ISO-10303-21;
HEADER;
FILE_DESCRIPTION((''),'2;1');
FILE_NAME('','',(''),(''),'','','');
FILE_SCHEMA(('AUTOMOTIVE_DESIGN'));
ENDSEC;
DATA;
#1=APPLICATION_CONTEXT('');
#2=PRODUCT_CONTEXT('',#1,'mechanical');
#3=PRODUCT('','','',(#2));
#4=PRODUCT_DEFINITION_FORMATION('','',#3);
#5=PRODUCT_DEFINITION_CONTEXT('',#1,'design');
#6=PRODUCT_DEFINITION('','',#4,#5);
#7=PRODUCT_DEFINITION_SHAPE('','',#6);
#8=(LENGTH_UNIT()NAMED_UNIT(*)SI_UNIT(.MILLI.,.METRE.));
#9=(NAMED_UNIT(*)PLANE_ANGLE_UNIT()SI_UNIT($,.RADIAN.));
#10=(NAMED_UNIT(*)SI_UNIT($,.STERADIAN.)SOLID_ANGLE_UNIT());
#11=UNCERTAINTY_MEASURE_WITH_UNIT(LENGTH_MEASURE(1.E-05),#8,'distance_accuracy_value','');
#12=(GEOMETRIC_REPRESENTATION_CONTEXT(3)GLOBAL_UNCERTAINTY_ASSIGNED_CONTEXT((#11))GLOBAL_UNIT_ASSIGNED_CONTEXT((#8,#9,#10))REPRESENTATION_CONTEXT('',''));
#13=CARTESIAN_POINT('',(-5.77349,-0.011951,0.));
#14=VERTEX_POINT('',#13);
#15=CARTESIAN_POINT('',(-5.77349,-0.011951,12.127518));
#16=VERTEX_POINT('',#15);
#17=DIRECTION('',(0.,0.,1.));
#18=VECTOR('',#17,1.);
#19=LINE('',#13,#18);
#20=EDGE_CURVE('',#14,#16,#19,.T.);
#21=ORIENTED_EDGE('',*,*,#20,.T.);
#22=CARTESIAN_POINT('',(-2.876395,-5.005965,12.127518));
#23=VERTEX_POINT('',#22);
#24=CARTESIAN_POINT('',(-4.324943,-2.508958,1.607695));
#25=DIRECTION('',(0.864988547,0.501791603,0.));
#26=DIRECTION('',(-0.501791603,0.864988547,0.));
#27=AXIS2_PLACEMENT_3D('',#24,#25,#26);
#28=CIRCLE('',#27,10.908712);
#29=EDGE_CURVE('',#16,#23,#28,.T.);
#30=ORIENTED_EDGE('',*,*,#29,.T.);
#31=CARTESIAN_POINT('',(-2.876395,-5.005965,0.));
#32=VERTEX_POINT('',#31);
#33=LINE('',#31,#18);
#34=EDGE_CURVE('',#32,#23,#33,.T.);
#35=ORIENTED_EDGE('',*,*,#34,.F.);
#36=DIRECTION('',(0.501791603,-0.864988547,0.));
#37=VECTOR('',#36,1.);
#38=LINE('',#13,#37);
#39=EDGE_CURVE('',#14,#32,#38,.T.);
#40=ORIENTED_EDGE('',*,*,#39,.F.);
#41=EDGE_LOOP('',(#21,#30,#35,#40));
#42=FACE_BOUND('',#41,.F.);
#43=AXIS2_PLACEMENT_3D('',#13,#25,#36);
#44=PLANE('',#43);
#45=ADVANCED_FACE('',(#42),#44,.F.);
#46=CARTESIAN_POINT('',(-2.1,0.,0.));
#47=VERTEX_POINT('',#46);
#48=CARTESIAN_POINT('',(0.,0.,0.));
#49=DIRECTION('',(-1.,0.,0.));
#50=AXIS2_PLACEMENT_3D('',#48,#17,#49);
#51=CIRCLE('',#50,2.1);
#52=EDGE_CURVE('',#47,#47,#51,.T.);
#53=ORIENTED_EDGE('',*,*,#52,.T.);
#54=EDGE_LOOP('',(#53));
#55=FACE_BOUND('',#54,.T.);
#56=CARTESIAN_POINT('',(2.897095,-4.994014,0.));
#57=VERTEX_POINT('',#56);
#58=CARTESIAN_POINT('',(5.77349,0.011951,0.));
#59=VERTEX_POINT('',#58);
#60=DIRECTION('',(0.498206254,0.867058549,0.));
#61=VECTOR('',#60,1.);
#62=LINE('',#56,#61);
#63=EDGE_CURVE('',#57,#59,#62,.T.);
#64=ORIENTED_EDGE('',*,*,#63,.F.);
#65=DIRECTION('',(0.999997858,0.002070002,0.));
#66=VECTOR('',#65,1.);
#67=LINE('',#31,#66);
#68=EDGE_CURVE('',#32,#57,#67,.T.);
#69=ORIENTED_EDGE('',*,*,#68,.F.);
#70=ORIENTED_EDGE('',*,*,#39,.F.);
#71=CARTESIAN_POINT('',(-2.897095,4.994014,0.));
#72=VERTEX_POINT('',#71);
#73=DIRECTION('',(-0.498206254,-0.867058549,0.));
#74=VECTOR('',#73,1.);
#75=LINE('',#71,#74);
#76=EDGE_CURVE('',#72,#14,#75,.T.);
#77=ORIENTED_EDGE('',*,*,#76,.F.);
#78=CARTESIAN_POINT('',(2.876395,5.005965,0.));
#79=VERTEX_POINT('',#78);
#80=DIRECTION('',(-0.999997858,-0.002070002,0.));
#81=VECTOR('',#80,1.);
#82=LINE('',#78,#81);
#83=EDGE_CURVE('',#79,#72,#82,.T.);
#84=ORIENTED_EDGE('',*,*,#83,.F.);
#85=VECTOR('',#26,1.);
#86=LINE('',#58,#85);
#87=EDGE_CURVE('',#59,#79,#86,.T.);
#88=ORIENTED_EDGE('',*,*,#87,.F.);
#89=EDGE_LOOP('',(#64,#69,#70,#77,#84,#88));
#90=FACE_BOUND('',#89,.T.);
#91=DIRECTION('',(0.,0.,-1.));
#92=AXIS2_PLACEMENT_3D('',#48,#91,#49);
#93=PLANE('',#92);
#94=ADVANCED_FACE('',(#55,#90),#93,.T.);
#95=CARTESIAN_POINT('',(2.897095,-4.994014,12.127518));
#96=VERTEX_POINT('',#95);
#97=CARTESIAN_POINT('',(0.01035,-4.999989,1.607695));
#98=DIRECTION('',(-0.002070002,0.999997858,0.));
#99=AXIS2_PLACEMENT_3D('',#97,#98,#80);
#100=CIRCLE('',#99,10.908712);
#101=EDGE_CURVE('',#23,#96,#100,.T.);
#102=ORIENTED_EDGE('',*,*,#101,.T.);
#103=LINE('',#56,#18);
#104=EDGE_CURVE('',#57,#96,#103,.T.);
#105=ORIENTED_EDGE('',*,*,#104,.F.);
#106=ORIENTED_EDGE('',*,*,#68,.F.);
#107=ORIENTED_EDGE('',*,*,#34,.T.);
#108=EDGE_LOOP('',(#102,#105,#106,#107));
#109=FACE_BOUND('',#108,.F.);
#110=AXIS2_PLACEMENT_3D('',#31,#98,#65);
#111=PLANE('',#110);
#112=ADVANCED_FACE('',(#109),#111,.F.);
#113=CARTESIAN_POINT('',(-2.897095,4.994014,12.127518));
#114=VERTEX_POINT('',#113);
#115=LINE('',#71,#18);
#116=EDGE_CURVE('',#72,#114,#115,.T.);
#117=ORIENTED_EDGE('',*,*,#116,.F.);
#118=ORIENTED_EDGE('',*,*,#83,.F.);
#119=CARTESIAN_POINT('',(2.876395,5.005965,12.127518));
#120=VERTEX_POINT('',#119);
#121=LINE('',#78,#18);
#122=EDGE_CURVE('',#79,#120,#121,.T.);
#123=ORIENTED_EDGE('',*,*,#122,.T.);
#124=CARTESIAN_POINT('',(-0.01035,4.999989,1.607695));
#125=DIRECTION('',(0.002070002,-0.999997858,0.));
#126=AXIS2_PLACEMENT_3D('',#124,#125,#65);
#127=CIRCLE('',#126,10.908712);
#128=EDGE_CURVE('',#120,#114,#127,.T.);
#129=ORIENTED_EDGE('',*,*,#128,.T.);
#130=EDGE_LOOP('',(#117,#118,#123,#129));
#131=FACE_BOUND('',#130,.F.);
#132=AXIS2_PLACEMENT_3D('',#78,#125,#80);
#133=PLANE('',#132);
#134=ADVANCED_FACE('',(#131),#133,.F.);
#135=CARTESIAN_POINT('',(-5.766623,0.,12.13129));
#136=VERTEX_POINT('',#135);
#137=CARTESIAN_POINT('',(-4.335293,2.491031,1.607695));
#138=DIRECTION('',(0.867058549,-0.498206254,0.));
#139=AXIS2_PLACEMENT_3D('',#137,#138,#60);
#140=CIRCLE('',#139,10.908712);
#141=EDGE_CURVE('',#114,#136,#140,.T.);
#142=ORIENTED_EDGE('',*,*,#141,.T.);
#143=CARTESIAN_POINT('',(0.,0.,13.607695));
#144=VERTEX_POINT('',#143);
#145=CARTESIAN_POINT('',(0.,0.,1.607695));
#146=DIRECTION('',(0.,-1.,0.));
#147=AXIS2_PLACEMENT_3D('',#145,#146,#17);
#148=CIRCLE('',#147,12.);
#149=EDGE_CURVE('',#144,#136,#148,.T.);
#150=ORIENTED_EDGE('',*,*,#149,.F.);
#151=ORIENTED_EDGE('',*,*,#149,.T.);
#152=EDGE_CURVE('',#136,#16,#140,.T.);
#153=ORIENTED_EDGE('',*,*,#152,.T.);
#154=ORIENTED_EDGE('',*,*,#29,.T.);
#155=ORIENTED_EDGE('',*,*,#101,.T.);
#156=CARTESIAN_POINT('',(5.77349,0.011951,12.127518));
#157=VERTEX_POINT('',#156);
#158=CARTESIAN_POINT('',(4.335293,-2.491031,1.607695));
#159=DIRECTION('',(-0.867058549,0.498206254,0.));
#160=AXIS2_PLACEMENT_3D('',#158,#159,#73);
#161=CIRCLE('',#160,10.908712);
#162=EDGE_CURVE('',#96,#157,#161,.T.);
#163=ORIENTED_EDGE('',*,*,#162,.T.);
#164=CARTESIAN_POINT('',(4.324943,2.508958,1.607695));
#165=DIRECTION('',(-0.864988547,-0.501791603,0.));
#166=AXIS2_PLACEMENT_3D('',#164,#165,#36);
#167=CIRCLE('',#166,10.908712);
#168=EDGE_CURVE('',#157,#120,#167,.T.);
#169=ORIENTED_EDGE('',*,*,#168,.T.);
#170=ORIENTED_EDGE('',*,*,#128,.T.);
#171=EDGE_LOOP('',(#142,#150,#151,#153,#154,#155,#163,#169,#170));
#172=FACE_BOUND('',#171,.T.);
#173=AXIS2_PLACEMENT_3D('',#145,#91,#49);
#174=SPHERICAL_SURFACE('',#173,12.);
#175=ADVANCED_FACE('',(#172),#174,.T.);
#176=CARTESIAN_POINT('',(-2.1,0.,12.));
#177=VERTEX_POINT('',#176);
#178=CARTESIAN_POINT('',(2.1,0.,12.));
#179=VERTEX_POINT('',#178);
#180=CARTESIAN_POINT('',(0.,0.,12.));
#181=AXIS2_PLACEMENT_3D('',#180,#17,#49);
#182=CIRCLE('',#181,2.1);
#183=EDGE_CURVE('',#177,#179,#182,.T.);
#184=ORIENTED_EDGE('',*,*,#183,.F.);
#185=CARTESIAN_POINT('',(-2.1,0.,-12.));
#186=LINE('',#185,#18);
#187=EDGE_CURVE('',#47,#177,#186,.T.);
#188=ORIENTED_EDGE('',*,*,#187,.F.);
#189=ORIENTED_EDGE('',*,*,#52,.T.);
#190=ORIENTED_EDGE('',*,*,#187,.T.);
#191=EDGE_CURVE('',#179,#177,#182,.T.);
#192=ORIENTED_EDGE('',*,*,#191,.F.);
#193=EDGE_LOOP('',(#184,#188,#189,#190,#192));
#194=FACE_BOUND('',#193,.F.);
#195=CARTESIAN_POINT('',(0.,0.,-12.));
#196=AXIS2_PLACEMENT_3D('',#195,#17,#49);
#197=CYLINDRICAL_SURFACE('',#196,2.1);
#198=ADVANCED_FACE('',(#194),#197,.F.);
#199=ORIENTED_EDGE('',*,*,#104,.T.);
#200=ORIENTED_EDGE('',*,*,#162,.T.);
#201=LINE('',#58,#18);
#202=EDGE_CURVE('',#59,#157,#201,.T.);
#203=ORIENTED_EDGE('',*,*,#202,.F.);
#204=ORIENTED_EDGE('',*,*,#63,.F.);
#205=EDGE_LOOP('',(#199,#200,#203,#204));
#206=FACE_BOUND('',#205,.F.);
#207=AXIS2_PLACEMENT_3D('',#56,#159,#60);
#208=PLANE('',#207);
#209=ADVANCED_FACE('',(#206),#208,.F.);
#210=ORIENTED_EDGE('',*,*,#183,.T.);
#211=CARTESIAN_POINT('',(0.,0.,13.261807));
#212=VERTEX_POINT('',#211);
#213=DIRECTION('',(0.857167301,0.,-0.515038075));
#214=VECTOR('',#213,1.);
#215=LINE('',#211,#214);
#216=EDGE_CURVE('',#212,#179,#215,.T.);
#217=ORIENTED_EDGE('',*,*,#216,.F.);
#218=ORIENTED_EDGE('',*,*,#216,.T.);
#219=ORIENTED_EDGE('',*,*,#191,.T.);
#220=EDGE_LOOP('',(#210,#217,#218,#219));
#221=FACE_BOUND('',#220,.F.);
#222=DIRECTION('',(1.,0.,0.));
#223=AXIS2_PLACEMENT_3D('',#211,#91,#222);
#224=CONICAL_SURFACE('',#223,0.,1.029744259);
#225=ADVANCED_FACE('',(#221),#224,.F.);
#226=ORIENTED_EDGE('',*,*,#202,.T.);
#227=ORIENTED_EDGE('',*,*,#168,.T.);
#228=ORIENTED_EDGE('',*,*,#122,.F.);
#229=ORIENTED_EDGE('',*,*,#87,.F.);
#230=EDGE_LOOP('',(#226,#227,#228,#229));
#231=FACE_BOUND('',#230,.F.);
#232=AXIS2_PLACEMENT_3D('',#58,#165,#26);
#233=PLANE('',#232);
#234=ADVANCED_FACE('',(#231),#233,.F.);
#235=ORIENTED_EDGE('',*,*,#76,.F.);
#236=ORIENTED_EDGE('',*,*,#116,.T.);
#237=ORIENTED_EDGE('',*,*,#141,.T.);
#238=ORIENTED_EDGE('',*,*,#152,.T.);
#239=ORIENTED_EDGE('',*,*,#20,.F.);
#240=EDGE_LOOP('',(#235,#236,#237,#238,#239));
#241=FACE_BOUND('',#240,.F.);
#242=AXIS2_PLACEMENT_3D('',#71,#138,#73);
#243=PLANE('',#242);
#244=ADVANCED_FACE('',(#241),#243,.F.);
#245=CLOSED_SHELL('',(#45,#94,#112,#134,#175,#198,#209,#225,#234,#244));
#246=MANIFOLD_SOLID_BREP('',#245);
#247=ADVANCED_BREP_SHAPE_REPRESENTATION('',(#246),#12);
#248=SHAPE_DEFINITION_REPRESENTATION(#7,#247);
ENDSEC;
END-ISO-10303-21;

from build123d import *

# Parameters (mm, degrees)
F3_D     = 4.2
F3_DEPTH = 12
F3_TIP   = 1.2618073
F5_DEPTH = 13.6086951546


with BuildPart() as f1:
    # F0 (on Front) → F1 (revolve)
    with BuildSketch(Plane.XZ):
        with BuildLine():
            Line((-6, 12), (-6, 0))
            Line((-6, 0), (0, 0))
            Line((0, 0), (0, 13.6076951546))
            ThreePointArc((0, 13.6076951546), (-3.1058285412, 13.1988050701), (-6, 12))
        make_face()
    revolve(axis=Axis((0, 0, 6.8038475773), (0, 0, -1)))

    # F3
    with Locations(Plane(origin=(0, 0, 0), x_dir=(1, 0, 0), z_dir=(0, 0, -1))):
        with Locations((0, 0)):
            Hole(F3_D / 2, depth=F3_DEPTH)
            with Locations((0, 0, -(F3_DEPTH + F3_TIP / 2))):  # 118° drill point
                Cone(0, F3_D / 2, F3_TIP, mode=Mode.SUBTRACT)

    # F4 (on Top) → F5 (intersect, through all)
    with BuildSketch(Plane.XY):
        Polygon((-2.897095172, 4.9940137062), (-5.7734903224, -0.011951163), (-2.8763951504, -5.0059648692), (2.897095172, -4.9940137062), (5.7734903224, 0.011951163), (2.8763951504, 5.0059648692), align=None)
    extrude(amount=F5_DEPTH, mode=Mode.INTERSECT)


solid = f1.part
